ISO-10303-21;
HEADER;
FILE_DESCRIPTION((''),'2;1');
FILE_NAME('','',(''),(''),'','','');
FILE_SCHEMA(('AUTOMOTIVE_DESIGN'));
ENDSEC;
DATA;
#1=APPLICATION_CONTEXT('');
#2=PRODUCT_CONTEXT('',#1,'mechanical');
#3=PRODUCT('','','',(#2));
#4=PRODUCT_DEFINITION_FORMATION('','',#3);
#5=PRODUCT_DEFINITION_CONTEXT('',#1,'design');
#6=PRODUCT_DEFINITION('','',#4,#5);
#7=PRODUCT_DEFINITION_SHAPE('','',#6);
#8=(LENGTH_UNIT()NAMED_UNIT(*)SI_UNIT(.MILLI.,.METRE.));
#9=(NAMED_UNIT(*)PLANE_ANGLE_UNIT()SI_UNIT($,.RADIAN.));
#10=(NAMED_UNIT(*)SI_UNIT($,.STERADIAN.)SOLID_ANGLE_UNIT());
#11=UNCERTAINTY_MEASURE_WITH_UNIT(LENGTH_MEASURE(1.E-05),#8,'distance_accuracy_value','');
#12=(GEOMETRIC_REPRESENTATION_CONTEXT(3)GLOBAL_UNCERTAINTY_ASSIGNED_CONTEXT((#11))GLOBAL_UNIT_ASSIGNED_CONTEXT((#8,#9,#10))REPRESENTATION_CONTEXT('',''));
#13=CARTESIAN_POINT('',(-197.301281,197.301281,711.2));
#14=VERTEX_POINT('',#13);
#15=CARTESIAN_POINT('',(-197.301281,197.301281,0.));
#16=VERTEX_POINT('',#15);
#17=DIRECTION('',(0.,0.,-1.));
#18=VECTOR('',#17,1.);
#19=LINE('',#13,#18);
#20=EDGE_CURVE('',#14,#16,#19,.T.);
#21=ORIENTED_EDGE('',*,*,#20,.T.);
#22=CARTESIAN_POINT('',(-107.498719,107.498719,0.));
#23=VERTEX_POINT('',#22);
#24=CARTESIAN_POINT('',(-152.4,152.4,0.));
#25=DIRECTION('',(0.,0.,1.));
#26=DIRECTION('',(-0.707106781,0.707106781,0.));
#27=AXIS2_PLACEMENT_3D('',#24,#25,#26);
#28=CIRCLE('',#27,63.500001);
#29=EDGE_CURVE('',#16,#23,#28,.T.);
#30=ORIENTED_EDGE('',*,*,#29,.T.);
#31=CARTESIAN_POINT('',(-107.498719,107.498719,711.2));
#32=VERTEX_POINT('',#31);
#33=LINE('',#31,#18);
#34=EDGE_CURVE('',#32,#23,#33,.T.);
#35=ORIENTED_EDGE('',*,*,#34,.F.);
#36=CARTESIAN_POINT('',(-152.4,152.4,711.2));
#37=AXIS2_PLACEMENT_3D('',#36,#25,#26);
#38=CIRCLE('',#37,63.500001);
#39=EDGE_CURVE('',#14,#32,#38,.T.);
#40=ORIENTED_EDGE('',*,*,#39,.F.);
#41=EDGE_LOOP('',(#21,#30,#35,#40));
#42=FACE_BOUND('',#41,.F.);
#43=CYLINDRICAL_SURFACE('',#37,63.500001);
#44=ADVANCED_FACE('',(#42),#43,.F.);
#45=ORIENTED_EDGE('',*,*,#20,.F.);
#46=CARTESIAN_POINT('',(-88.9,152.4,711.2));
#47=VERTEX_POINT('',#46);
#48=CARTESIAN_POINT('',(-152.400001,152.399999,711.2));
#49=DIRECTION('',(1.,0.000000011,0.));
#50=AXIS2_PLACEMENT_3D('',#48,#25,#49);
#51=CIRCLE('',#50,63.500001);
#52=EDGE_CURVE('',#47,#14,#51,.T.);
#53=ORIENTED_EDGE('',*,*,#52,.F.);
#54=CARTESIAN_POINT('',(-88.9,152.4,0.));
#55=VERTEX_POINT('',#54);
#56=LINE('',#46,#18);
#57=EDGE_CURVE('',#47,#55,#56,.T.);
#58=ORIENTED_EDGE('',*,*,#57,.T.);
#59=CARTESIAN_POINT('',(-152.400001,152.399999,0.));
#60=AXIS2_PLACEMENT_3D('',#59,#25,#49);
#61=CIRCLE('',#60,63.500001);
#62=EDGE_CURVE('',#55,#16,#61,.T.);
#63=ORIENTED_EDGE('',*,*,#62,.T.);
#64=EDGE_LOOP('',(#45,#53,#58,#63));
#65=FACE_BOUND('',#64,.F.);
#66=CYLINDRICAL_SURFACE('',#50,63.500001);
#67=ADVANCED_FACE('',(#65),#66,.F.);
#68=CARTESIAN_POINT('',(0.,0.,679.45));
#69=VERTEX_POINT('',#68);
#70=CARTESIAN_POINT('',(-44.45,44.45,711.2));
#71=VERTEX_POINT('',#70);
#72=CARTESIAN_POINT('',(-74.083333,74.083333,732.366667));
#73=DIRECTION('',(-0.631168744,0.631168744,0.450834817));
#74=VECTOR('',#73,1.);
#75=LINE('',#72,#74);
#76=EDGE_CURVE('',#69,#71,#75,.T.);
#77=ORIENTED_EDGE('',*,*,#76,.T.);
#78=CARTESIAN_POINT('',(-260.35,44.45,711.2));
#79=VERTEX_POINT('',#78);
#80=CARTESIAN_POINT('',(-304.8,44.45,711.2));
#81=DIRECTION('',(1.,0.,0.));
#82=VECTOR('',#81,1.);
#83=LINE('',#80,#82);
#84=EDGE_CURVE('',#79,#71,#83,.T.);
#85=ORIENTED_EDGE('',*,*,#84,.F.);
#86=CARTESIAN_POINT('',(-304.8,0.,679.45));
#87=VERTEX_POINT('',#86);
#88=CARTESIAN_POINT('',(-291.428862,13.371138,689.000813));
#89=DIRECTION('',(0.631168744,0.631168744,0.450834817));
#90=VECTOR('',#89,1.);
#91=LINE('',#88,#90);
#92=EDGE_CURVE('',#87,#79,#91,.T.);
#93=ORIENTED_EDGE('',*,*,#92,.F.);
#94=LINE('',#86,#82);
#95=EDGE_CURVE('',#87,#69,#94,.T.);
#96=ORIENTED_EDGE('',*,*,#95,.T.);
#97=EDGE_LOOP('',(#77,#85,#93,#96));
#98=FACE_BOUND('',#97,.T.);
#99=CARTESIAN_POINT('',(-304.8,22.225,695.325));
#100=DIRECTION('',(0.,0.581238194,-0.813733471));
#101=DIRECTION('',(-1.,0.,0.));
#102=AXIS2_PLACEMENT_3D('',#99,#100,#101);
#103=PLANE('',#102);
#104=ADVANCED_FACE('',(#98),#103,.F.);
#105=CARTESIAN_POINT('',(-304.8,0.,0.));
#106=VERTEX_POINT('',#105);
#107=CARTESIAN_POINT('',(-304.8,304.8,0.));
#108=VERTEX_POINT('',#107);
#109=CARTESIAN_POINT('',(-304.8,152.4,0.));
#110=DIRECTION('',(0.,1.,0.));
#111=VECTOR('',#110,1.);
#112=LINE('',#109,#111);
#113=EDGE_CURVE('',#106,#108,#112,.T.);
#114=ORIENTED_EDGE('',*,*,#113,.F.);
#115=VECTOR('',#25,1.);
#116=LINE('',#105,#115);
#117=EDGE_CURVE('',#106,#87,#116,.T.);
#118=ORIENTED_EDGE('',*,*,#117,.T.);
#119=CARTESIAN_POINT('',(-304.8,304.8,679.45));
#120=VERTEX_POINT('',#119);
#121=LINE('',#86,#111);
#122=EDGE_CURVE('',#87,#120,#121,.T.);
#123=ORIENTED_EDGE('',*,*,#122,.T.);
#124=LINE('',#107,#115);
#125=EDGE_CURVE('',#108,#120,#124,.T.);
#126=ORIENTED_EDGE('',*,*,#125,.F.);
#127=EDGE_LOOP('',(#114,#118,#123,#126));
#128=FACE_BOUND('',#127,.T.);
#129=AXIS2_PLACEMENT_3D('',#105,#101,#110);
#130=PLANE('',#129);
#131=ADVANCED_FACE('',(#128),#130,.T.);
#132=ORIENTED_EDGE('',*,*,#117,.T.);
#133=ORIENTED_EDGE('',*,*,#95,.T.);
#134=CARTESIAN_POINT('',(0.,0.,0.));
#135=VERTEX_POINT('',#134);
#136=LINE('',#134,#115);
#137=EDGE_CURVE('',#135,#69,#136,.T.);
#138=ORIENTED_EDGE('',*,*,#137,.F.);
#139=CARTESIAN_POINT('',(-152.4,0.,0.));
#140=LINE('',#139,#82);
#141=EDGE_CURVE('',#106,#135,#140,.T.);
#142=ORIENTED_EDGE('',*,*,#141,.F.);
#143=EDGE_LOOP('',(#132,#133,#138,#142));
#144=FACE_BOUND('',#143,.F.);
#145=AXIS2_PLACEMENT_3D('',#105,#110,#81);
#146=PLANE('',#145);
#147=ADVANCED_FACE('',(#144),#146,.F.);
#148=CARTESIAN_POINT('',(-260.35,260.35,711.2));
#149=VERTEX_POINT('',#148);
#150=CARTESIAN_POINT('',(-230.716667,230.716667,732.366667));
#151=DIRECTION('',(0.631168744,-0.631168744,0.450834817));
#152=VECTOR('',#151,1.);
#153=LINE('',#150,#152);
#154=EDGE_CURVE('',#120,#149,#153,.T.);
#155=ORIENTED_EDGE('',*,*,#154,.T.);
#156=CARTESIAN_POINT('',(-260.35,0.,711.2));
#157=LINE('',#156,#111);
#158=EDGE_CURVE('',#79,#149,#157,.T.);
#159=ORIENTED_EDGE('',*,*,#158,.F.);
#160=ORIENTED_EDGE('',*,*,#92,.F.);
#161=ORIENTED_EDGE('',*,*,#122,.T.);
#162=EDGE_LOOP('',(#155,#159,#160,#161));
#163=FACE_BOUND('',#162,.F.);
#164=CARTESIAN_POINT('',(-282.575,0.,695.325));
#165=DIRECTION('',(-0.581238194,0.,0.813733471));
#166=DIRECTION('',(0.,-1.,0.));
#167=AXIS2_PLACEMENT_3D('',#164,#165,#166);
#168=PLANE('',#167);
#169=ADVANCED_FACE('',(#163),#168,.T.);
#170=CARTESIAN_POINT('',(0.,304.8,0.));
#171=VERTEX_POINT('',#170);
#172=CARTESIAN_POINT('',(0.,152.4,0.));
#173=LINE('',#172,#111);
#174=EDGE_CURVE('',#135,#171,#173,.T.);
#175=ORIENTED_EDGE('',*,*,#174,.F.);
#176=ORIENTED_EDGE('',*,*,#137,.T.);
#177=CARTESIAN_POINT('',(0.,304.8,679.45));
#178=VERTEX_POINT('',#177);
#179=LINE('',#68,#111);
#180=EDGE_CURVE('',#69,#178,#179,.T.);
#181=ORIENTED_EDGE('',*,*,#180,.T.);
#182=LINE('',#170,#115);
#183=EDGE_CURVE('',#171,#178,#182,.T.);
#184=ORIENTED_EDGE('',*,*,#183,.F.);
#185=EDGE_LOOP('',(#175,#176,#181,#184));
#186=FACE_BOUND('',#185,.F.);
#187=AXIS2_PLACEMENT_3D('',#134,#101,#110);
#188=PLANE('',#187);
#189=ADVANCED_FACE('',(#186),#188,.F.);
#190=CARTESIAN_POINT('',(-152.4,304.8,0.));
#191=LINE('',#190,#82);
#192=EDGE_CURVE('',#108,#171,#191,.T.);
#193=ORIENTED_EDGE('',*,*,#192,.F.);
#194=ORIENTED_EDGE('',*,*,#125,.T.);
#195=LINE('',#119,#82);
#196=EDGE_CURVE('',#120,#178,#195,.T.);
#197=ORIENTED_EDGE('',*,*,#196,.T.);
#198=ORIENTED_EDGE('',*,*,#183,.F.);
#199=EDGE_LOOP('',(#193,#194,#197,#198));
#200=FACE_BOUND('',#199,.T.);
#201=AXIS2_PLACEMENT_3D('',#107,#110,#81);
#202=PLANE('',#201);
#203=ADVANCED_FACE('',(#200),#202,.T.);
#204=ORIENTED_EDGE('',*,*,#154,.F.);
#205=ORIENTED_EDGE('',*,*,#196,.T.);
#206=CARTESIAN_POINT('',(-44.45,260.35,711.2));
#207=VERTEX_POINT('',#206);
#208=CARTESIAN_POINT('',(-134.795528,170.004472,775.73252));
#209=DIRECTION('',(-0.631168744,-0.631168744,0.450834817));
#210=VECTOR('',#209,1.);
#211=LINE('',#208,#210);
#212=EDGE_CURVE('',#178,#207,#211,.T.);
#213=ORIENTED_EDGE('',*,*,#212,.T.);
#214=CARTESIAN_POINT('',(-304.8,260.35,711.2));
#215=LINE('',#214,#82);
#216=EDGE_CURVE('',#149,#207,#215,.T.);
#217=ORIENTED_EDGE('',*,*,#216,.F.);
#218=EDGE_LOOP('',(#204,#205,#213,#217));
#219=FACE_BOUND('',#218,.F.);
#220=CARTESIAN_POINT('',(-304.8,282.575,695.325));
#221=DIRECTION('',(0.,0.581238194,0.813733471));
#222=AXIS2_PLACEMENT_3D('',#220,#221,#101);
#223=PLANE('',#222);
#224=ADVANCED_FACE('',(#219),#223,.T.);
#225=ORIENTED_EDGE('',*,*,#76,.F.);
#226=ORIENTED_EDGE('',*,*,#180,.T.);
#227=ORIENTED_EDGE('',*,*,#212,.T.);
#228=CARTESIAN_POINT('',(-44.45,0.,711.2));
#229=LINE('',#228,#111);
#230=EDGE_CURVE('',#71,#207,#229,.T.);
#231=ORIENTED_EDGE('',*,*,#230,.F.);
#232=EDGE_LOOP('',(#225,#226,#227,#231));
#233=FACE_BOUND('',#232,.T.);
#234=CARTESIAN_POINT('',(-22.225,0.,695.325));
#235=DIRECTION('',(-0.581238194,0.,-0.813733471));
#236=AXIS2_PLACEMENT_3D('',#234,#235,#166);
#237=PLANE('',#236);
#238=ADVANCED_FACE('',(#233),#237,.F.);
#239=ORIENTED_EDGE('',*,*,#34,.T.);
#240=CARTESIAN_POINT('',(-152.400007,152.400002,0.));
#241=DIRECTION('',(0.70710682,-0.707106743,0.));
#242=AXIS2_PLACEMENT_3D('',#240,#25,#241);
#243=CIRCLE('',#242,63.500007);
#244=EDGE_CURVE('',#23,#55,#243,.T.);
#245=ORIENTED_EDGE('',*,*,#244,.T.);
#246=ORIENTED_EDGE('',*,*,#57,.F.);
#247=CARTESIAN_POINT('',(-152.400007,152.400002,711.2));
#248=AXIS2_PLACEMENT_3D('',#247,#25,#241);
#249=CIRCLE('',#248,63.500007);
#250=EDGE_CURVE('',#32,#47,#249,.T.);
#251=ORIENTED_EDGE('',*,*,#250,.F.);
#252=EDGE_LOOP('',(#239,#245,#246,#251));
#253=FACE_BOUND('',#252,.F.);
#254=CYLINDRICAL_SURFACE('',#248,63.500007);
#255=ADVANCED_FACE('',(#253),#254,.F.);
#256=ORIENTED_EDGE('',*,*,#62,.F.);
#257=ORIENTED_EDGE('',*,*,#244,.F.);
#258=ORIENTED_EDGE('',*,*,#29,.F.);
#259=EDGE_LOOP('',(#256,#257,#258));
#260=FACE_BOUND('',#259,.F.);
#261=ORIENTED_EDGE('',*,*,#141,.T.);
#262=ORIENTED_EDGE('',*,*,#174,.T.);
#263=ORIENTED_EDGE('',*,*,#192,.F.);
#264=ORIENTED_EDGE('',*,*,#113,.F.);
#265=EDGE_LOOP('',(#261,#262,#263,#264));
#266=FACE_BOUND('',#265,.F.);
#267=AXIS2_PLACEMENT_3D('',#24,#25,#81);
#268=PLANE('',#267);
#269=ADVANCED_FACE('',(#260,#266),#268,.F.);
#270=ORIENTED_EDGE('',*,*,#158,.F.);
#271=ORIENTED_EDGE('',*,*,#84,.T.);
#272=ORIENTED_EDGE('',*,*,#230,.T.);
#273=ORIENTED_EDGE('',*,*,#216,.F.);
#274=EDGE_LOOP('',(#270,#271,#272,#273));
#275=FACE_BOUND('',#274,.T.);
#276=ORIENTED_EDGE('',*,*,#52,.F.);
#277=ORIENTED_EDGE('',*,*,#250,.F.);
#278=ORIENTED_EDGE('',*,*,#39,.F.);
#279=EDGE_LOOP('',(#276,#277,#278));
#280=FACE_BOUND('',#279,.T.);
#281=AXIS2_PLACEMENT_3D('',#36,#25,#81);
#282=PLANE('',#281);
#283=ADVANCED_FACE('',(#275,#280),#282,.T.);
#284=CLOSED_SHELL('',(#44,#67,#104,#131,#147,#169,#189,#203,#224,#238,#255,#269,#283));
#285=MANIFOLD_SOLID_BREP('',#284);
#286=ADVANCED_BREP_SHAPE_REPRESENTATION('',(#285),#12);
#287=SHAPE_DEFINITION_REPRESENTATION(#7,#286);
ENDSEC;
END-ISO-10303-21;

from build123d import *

# Parameters (mm, degrees)
F0_W     = 304.8
F0_H     = 304.8
F1_DEPTH = 711.2
F2_SIZE2 = 44.45
F2_SIZE  = 31.75
F4_DEPTH = 711.201


with BuildPart() as f1:
    # F0 (on Top) → F1 (new body)
    with BuildSketch(Plane.XY):
        with Locations((-152.4, 152.4)):
            Rectangle(F0_W, F0_H)
    extrude(amount=F1_DEPTH)

    # F2
    f2_edges = [f1.edges().sort_by_distance(p)[0] for p in [
        (-152.4, 0, 711.2),
        (0, 152.4, 711.2),
        (-152.4, 304.8, 711.2),
        (-304.8, 152.4, 711.2),
    ]]
    chamfer(f2_edges, length=F2_SIZE, length2=F2_SIZE2)

    # F3 (on face) → F4 (cut, through all)
    with BuildSketch(Plane.XY.offset(711.2)):
        with BuildLine():
            ThreePointArc((-88.9, 152.4), (-128.099602, 211.06635), (-197.301281, 197.301281))
            Line((-197.301281, 197.301281), (-107.498719, 107.498719))
            ThreePointArc((-107.498719, 107.498719), (-93.73365, 128.099602), (-88.9, 152.4))
        make_face()
        with BuildLine():
            Line((-107.498719, 107.498719), (-197.301281, 197.301281))
            ThreePointArc((-197.301281, 197.301281), (-197.301281, 107.498719), (-107.498719, 107.498719))
        make_face()
    extrude(amount=-F4_DEPTH, mode=Mode.SUBTRACT)


solid = f1.part
